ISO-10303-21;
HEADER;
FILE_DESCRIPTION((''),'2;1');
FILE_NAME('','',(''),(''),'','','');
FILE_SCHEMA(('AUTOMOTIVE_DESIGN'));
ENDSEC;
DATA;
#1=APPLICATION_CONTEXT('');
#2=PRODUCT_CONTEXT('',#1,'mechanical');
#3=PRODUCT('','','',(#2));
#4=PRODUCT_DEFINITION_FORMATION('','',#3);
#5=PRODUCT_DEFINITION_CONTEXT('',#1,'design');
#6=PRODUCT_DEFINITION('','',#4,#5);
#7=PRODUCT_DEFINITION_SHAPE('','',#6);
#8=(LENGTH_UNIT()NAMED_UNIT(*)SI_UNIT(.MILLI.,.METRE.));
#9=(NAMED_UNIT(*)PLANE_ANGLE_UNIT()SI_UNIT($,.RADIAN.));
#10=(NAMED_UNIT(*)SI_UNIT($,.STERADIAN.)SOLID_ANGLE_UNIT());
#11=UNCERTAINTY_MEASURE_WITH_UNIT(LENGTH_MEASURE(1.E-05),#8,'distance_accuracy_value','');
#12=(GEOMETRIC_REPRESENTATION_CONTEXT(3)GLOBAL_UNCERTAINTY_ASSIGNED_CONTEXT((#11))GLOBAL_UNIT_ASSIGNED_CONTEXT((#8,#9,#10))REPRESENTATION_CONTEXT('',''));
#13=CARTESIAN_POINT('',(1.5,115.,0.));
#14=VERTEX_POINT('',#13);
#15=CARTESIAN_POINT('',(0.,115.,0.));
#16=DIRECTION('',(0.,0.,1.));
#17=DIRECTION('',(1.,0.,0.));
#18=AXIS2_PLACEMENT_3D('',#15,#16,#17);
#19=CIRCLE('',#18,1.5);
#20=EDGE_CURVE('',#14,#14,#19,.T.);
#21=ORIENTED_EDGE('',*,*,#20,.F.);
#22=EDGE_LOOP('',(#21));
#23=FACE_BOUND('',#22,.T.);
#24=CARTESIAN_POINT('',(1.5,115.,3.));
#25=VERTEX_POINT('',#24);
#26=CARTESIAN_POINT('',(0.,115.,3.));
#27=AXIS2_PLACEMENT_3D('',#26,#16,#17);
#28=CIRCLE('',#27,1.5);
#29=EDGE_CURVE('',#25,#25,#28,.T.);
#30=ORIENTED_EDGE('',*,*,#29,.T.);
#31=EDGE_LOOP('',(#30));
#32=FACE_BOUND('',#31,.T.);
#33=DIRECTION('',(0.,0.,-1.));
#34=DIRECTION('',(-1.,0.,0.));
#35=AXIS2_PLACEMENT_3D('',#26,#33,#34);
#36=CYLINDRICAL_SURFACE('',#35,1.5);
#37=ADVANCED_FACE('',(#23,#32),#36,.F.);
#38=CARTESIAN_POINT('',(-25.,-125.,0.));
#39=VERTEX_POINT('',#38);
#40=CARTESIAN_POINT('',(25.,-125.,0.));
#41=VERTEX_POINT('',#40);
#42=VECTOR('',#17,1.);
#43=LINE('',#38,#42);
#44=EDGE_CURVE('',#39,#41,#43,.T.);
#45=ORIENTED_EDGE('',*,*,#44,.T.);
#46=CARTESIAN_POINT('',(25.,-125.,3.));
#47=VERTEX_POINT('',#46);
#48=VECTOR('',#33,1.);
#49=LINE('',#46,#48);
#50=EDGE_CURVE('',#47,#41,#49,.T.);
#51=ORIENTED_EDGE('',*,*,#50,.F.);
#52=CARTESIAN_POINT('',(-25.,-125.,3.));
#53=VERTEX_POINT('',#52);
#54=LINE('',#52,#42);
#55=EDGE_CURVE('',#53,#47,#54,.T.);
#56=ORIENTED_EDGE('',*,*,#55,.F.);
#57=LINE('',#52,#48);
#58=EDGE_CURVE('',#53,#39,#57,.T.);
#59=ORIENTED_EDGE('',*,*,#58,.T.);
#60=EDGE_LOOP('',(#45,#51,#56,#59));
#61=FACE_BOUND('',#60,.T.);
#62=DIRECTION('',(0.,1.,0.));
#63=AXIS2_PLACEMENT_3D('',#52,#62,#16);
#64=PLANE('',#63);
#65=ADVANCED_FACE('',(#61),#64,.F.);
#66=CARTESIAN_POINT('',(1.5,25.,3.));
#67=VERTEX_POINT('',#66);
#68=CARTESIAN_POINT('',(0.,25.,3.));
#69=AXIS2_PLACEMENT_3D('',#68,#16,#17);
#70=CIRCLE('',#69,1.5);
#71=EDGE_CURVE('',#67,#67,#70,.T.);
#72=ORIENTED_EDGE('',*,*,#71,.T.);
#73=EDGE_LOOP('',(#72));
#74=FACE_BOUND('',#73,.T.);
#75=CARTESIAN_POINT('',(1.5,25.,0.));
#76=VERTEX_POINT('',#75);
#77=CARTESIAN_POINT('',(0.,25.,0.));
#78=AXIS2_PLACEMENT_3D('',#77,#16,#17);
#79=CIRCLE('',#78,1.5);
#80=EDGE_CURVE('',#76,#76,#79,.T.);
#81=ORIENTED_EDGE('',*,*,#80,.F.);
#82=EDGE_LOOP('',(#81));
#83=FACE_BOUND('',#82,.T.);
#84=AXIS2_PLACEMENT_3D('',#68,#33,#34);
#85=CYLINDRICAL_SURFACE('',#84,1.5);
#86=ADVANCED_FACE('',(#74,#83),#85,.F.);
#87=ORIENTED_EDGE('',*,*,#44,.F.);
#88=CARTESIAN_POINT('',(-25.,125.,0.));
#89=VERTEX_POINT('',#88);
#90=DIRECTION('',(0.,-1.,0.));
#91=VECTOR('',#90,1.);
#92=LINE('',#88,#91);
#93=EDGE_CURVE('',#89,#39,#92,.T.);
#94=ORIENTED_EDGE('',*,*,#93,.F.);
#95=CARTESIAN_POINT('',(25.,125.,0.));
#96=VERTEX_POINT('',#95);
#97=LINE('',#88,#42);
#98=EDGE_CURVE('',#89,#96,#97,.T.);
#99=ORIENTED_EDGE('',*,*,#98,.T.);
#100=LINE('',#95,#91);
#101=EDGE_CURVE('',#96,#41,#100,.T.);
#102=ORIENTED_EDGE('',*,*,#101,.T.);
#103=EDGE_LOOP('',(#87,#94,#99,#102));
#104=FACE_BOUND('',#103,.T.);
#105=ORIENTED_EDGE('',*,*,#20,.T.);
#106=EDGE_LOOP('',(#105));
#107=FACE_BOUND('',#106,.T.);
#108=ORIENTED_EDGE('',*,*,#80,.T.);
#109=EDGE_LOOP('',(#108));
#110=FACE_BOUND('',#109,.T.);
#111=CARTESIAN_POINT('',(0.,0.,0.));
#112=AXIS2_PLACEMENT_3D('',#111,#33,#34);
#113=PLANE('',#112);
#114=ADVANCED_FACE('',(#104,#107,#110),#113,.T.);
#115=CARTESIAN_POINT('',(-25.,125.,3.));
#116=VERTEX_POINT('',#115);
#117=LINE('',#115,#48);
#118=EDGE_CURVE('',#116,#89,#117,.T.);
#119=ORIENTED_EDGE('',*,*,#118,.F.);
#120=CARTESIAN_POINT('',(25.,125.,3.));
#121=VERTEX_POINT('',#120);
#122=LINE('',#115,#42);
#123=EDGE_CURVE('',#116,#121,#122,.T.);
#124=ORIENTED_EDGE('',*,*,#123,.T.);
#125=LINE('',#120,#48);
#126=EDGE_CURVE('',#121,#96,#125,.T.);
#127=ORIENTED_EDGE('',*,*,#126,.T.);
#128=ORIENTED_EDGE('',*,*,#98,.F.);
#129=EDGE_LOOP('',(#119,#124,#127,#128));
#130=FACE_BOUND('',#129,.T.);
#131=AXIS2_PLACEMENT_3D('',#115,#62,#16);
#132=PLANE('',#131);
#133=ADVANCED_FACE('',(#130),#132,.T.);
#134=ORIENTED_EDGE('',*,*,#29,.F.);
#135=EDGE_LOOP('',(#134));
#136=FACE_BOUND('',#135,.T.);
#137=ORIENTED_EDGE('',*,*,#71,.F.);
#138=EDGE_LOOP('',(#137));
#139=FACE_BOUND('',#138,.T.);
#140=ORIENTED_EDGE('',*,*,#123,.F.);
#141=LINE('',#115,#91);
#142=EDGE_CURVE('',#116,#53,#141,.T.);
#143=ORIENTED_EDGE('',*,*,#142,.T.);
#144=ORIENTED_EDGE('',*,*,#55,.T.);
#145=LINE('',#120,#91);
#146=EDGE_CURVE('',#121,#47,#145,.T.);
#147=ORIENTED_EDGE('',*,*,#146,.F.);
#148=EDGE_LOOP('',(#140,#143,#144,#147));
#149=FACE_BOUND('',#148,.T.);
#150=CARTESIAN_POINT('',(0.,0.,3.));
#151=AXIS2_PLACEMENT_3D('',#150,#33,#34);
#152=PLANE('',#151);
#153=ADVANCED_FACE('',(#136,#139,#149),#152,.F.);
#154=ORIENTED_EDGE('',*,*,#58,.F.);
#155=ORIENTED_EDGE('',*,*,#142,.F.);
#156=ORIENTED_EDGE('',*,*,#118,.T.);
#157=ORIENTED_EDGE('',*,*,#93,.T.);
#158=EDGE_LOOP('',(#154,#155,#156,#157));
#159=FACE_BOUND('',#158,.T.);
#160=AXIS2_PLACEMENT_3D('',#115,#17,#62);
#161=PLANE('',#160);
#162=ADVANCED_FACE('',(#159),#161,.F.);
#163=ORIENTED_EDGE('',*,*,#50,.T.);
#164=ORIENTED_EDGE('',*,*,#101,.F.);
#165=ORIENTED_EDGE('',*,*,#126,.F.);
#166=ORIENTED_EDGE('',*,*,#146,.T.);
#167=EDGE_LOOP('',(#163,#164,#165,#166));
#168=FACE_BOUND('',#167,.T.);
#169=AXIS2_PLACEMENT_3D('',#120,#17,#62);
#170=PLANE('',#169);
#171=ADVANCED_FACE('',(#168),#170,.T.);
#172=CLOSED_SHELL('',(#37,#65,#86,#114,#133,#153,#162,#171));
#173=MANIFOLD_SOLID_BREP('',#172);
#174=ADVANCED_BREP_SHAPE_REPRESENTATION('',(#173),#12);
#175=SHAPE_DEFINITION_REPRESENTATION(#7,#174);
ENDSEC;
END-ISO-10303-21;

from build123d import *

# Parameters (mm, degrees)
SKETCH1_W           = 50
SKETCH1_H           = 250
SKETCH1_R           = 1.5
BOSS_EXTRUDE1_DEPTH = 3


with BuildPart() as part:
    # Sketch1 → Boss-Extrude1 (new body)
    with BuildSketch(Plane.XY):
        Rectangle(SKETCH1_W, SKETCH1_H)
        with Locations((0, 115)):
            Circle(SKETCH1_R, mode=Mode.SUBTRACT)
        with Locations((0, 25)):
            Circle(SKETCH1_R, mode=Mode.SUBTRACT)
    extrude(amount=BOSS_EXTRUDE1_DEPTH)


solid = part.part
